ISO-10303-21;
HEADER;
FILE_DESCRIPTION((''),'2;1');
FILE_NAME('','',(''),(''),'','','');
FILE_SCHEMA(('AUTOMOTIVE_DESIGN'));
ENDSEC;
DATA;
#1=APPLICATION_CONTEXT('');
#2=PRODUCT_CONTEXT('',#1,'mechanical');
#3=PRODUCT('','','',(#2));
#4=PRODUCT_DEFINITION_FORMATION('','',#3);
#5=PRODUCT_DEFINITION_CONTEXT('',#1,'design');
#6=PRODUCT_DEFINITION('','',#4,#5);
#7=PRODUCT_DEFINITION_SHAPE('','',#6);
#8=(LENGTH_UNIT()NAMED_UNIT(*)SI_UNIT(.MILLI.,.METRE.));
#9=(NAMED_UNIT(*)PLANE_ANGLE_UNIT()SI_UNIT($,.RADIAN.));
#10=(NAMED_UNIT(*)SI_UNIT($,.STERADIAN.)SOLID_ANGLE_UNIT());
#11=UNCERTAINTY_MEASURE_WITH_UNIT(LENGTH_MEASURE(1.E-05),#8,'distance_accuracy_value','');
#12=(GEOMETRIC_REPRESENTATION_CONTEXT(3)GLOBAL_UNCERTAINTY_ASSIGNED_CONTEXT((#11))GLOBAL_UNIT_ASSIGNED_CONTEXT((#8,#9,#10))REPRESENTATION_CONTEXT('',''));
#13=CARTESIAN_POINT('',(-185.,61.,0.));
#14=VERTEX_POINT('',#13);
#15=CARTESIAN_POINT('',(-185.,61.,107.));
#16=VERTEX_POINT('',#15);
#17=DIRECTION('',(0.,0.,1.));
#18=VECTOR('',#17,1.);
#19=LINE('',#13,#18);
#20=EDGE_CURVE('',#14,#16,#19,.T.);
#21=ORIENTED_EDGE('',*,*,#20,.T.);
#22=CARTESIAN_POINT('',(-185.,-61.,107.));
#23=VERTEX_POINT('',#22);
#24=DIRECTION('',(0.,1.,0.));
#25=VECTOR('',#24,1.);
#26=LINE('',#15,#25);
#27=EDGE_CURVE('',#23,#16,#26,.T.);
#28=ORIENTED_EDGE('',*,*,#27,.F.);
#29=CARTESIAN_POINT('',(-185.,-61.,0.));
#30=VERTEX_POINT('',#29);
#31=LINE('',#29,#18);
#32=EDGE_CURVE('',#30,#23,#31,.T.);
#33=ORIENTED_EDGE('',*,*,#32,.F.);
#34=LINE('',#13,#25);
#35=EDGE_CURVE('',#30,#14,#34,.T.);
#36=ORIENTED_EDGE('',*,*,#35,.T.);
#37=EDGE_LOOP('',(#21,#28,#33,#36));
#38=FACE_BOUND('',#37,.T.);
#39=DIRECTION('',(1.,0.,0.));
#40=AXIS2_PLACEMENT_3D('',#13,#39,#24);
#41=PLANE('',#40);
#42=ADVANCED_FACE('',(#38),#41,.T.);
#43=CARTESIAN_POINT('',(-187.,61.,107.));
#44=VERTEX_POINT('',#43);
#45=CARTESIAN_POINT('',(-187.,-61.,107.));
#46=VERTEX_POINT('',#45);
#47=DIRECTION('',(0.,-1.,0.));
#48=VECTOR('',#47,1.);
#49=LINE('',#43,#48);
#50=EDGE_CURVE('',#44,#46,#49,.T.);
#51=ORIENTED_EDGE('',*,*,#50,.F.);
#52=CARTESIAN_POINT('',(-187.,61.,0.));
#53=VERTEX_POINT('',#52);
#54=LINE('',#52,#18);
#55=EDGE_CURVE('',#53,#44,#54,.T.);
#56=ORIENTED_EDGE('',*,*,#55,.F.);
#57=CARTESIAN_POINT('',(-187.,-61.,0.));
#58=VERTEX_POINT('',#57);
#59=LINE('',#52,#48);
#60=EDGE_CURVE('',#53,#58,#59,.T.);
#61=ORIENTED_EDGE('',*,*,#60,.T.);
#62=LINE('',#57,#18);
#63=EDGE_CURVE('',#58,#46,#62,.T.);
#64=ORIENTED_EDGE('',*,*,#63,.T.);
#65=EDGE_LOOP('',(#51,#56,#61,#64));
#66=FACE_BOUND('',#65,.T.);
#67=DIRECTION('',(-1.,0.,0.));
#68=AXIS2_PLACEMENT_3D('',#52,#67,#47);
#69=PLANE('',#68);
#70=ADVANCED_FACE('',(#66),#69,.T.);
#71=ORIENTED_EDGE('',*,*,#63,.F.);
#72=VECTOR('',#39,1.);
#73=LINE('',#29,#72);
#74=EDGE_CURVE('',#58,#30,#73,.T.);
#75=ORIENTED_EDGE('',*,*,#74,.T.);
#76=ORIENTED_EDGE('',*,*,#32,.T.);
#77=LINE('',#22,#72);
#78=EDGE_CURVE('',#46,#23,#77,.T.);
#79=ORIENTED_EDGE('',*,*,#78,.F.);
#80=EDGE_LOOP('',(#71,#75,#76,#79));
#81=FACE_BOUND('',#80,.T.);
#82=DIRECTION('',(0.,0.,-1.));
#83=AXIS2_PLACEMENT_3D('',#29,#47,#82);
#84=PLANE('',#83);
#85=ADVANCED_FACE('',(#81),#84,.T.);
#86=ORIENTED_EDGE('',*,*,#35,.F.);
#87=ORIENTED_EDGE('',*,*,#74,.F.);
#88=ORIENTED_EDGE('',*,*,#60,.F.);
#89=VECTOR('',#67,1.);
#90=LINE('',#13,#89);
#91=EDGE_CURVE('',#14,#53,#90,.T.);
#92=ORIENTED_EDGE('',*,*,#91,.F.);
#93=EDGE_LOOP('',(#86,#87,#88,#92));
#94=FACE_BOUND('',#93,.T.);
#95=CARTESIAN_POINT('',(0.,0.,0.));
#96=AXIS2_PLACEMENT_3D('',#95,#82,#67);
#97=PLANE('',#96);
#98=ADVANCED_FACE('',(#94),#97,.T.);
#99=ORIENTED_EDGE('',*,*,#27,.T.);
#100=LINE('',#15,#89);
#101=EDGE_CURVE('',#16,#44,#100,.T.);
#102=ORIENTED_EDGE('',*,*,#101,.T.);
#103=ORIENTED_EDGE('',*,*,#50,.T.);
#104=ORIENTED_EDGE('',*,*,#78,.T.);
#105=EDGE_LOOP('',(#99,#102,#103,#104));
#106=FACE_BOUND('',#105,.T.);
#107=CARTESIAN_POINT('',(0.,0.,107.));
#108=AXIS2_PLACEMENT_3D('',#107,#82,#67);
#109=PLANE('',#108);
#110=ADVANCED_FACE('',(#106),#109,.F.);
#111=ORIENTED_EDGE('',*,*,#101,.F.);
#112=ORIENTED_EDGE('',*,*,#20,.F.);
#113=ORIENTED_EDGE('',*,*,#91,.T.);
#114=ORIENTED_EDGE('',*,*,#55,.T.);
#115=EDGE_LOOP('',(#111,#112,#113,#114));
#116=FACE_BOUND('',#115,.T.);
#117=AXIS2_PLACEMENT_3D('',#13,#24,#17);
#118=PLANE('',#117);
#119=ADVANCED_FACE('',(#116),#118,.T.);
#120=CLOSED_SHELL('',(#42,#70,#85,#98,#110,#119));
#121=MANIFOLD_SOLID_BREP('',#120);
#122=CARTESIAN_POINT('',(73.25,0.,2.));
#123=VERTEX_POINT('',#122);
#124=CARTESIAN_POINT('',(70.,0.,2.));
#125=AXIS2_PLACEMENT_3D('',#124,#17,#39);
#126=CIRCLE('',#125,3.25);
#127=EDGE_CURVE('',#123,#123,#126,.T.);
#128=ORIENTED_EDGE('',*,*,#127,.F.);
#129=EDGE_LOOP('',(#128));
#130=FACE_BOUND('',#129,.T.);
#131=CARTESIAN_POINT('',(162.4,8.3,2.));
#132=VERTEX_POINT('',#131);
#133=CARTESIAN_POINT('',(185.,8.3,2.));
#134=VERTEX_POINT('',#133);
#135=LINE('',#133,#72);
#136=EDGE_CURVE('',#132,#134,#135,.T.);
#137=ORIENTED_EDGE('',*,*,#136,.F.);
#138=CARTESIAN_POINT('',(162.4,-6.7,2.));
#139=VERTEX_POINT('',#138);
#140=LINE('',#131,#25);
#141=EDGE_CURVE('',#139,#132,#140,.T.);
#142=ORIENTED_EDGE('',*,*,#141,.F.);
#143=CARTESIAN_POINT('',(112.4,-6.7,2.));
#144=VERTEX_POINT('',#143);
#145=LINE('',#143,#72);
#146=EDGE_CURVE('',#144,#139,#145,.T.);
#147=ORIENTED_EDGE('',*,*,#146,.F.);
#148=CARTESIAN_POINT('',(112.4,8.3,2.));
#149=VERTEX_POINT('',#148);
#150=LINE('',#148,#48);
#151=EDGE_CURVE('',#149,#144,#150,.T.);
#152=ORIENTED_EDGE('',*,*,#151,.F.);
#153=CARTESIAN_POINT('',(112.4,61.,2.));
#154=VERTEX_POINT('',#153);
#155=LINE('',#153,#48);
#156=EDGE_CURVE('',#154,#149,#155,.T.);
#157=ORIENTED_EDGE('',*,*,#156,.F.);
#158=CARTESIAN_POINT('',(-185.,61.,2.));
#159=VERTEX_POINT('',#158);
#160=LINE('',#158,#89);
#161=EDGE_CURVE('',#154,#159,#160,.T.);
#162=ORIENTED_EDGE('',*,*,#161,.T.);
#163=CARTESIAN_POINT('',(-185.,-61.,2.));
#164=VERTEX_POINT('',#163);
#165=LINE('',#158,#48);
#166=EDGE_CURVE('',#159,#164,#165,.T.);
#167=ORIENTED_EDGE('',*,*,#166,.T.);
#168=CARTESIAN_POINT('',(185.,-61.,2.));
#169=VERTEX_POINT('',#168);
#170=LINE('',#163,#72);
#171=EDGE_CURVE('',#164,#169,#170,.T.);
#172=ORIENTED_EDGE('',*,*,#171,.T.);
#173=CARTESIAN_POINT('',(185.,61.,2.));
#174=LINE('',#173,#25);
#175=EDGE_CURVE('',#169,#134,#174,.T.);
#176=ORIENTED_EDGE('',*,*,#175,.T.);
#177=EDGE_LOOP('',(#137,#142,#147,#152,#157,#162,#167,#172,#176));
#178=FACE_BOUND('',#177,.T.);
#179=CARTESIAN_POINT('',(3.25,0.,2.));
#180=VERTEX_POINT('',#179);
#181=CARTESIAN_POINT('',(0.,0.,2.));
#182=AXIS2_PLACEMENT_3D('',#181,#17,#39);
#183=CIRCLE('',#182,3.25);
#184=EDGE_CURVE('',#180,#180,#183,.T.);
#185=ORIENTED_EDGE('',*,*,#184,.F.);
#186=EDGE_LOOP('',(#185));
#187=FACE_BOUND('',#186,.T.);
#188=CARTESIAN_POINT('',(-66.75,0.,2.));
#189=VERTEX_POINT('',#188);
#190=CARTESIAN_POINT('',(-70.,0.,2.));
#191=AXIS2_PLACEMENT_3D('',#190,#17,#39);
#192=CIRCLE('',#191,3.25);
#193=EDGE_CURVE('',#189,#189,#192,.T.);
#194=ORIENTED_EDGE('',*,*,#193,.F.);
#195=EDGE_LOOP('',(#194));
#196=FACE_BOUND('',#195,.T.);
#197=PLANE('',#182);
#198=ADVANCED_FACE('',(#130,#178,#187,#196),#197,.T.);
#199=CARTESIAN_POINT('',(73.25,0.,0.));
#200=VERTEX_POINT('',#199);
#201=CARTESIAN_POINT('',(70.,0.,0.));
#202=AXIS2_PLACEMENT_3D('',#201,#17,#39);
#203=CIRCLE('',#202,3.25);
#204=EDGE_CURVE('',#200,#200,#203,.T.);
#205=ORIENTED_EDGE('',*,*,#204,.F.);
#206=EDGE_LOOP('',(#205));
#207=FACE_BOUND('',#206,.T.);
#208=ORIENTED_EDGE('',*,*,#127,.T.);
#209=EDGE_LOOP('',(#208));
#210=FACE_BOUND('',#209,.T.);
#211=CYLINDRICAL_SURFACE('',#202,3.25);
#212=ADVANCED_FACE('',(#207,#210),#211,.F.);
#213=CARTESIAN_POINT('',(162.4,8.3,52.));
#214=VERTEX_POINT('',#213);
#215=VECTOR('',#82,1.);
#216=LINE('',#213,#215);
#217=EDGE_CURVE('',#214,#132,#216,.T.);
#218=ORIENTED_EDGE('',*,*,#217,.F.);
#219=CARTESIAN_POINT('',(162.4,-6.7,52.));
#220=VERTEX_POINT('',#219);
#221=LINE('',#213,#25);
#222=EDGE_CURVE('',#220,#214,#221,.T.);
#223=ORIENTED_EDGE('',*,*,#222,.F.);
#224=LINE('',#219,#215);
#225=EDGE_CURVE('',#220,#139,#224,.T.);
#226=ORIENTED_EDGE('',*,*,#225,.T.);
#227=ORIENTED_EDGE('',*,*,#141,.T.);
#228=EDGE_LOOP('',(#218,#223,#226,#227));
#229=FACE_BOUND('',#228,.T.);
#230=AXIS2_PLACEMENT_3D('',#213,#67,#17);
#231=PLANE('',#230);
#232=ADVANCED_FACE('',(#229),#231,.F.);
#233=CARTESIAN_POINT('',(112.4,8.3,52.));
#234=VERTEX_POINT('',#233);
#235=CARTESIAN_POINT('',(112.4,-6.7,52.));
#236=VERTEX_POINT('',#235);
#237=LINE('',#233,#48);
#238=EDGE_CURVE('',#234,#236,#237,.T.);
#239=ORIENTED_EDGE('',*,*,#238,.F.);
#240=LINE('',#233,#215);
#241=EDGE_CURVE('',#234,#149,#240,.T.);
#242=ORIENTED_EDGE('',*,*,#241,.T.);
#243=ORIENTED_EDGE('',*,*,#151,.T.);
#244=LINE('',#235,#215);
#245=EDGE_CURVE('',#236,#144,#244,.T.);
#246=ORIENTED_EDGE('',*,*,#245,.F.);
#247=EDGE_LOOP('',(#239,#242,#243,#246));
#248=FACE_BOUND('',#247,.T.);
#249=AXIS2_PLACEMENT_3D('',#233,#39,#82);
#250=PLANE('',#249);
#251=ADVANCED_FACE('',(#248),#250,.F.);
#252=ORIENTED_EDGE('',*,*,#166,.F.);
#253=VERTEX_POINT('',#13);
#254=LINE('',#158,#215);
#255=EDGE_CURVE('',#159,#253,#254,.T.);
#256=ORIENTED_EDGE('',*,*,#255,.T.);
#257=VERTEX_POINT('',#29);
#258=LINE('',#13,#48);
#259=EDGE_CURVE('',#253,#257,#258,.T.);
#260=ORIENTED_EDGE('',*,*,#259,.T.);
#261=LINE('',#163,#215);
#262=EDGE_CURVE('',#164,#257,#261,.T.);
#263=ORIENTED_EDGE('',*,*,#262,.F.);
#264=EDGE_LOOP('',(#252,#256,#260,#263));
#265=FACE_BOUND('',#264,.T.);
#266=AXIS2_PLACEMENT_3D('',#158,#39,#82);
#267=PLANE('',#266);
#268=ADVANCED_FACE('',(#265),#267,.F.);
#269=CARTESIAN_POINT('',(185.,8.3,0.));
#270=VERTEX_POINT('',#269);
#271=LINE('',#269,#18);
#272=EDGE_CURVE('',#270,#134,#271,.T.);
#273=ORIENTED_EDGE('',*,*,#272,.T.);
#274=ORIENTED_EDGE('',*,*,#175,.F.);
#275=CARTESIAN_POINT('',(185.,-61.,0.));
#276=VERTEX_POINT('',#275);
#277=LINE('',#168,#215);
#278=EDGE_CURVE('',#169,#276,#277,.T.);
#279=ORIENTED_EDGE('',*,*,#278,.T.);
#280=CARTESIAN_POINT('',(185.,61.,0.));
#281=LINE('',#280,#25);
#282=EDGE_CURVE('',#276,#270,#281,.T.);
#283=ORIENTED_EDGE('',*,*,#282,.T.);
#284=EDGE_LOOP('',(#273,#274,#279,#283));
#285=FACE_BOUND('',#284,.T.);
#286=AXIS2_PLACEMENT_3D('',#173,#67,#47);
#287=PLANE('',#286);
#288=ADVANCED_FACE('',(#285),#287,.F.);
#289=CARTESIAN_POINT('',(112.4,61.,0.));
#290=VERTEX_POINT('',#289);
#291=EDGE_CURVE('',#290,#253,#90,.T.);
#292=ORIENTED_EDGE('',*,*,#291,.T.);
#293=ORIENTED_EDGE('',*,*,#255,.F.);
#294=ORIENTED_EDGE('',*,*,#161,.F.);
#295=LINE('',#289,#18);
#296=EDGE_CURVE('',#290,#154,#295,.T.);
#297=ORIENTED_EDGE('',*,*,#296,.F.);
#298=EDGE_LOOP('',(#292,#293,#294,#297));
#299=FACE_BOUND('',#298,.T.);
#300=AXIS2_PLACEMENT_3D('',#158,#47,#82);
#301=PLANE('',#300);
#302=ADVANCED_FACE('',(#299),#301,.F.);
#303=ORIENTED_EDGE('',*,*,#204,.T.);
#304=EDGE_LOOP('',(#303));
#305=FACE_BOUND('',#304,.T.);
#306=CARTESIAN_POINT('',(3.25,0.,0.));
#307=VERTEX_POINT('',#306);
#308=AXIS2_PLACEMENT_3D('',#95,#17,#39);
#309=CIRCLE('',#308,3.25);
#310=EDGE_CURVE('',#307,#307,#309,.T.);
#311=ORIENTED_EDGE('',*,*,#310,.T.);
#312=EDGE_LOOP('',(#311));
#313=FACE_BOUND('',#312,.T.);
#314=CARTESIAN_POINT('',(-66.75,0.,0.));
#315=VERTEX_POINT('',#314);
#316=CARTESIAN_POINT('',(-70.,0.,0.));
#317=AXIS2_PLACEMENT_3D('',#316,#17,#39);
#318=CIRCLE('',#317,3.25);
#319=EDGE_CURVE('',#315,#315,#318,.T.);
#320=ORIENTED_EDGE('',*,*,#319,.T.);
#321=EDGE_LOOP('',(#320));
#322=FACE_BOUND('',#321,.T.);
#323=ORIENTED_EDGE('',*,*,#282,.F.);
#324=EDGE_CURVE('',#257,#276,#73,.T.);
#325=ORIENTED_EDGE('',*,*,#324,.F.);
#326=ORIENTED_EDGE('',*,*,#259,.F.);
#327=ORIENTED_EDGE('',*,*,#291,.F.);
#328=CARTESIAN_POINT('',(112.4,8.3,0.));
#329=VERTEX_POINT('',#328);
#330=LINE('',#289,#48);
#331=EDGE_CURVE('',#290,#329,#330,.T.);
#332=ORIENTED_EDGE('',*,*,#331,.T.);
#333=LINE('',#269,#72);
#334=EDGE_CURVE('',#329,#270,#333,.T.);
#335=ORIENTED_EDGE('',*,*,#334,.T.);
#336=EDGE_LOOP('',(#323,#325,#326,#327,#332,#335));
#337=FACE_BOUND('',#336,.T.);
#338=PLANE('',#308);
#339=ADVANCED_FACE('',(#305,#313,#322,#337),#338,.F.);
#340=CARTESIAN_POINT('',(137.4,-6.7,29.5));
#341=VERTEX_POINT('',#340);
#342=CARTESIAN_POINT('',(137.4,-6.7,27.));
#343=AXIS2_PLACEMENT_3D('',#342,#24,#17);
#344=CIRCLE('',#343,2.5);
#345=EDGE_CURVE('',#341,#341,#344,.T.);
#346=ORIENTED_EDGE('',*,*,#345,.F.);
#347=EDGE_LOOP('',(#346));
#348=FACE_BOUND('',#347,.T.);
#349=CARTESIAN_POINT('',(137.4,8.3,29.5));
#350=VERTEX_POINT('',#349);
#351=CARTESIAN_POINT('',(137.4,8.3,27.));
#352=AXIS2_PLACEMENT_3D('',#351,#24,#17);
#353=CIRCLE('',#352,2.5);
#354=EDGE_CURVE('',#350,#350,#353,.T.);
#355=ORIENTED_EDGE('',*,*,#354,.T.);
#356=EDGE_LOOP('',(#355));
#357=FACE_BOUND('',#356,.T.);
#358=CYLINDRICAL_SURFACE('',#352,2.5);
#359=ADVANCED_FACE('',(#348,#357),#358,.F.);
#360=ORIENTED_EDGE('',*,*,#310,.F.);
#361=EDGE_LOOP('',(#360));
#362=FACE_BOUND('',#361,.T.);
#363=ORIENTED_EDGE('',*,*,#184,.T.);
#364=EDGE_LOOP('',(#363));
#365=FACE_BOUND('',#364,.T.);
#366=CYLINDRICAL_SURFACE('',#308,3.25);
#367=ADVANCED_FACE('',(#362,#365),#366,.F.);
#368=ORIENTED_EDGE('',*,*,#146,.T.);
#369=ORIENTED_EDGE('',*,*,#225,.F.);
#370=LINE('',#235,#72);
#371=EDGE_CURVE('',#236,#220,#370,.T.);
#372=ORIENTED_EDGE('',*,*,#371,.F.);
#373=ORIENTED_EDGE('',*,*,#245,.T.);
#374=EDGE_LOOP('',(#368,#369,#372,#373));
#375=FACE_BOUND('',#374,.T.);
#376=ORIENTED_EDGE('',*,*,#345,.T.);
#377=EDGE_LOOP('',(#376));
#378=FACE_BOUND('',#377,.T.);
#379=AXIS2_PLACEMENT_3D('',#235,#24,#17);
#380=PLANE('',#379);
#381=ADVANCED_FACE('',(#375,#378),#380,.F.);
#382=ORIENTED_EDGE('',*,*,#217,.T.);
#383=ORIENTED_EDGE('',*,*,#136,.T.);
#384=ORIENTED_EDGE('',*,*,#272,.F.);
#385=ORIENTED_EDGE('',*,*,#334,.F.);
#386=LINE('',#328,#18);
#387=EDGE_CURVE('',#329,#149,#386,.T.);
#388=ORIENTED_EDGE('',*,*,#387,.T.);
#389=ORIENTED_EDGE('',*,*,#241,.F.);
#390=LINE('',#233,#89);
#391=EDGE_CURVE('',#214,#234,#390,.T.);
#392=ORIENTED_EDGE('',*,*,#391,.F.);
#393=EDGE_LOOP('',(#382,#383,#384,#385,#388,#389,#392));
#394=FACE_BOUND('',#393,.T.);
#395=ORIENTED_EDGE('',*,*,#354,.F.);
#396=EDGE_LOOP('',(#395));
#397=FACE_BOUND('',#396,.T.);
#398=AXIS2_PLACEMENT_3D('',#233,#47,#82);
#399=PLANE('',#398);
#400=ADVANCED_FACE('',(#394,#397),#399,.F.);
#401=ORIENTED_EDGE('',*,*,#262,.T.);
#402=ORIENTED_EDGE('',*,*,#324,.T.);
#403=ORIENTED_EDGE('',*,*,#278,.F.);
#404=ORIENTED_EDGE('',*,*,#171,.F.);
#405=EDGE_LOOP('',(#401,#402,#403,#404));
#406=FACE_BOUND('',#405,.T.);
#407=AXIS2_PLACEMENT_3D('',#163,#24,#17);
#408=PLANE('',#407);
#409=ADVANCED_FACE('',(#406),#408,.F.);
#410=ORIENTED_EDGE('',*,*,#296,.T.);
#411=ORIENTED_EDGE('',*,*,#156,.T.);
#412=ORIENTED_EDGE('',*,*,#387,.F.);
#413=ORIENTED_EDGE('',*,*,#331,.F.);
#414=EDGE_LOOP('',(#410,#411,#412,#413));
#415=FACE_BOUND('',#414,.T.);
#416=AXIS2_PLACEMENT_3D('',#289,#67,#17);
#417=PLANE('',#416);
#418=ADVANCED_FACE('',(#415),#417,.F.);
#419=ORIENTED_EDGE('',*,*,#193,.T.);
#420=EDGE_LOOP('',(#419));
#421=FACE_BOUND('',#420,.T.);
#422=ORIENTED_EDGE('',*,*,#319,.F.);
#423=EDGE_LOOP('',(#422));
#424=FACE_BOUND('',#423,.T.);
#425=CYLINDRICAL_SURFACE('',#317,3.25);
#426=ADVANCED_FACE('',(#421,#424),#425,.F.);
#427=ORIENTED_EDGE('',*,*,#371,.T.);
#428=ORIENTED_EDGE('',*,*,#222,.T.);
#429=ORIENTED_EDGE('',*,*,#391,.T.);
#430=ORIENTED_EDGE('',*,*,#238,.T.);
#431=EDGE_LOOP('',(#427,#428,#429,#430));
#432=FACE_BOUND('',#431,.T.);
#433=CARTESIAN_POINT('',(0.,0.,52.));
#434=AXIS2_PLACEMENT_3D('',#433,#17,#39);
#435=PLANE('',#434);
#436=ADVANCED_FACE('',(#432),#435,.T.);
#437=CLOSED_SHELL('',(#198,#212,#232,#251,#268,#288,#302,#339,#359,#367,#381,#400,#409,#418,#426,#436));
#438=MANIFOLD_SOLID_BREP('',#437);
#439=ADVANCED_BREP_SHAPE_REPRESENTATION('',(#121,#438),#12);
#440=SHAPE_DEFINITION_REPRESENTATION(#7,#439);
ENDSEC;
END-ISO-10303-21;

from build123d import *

# Parameters (mm, degrees)
SKETCH_1_W           = 370
SKETCH_1_H           = 122
EXTRUDE_1_DEPTH      = 2
SKETCH_2_W           = 2
SKETCH_2_H           = 122
EXTRUDE_2_DEPTH      = 105
EXTRUDE_2_DEPTH_BACK = 2
SKETCH_3_W           = 50
SKETCH_3_H           = 15
EXTRUDE_3_DEPTH      = 50
SKETCH_5_W           = 2.5
SKETCH_5_H           = 15.001
SKETCH_6_W           = 72.6
SKETCH_6_H           = 52.7
CUT_EXTRUDE_1_DEPTH  = 2
SKETCH_7_R           = 3.25
CUT_EXTRUDE_2_DEPTH  = 2


with BuildPart() as part:
    # 草图1 → 凸台-拉伸1 (new body)
    with BuildSketch(Plane.XY):
        Rectangle(SKETCH_1_W, SKETCH_1_H)
    extrude(amount=EXTRUDE_1_DEPTH)

    # 草图3 → 凸台-拉伸3 (add)
    with BuildSketch(Plane.XY.offset(2)):
        with Locations((137.4, 0.8)):
            Rectangle(SKETCH_3_W, SKETCH_3_H)
    extrude(amount=EXTRUDE_3_DEPTH)

    # 草图5 → M6 螺纹孔1 (revolve, cut)
    with BuildSketch(Plane(origin=(137.4, 8.3, 27), x_dir=(0, 0, 1), z_dir=(1, 0, 0))):
        with Locations((1.25, 7.5005)):
            Rectangle(SKETCH_5_W, SKETCH_5_H)
    revolve(axis=Axis((137.4, 14.65, 27), (0, -1, 0)), mode=Mode.SUBTRACT)

    # 草图6 → 切除-拉伸1 (cut)
    with BuildSketch(Plane.XY.offset(2)):
        with Locations((148.7, 34.65)):
            Rectangle(SKETCH_6_W, SKETCH_6_H)
    extrude(amount=-CUT_EXTRUDE_1_DEPTH, mode=Mode.SUBTRACT)

    # 草图7 → 切除-拉伸2 (cut)
    with BuildSketch(Plane.XY.offset(2)):
        with Locations((-70, 0)):
            Circle(SKETCH_7_R)
        Circle(SKETCH_7_R)
        with Locations((70, 0)):
            Circle(SKETCH_7_R)
    extrude(amount=-CUT_EXTRUDE_2_DEPTH, mode=Mode.SUBTRACT)


with BuildPart() as body_2:
    # 草图2 → 凸台-拉伸2 (new body, two sides)
    with BuildSketch(Plane.XY.offset(2)) as extrude_2_sk:
        with Locations((-186, 0)):
            Rectangle(SKETCH_2_W, SKETCH_2_H)
    extrude(amount=EXTRUDE_2_DEPTH)
    extrude(extrude_2_sk.sketch, amount=-EXTRUDE_2_DEPTH_BACK)


solid = Compound([part.part, body_2.part])
